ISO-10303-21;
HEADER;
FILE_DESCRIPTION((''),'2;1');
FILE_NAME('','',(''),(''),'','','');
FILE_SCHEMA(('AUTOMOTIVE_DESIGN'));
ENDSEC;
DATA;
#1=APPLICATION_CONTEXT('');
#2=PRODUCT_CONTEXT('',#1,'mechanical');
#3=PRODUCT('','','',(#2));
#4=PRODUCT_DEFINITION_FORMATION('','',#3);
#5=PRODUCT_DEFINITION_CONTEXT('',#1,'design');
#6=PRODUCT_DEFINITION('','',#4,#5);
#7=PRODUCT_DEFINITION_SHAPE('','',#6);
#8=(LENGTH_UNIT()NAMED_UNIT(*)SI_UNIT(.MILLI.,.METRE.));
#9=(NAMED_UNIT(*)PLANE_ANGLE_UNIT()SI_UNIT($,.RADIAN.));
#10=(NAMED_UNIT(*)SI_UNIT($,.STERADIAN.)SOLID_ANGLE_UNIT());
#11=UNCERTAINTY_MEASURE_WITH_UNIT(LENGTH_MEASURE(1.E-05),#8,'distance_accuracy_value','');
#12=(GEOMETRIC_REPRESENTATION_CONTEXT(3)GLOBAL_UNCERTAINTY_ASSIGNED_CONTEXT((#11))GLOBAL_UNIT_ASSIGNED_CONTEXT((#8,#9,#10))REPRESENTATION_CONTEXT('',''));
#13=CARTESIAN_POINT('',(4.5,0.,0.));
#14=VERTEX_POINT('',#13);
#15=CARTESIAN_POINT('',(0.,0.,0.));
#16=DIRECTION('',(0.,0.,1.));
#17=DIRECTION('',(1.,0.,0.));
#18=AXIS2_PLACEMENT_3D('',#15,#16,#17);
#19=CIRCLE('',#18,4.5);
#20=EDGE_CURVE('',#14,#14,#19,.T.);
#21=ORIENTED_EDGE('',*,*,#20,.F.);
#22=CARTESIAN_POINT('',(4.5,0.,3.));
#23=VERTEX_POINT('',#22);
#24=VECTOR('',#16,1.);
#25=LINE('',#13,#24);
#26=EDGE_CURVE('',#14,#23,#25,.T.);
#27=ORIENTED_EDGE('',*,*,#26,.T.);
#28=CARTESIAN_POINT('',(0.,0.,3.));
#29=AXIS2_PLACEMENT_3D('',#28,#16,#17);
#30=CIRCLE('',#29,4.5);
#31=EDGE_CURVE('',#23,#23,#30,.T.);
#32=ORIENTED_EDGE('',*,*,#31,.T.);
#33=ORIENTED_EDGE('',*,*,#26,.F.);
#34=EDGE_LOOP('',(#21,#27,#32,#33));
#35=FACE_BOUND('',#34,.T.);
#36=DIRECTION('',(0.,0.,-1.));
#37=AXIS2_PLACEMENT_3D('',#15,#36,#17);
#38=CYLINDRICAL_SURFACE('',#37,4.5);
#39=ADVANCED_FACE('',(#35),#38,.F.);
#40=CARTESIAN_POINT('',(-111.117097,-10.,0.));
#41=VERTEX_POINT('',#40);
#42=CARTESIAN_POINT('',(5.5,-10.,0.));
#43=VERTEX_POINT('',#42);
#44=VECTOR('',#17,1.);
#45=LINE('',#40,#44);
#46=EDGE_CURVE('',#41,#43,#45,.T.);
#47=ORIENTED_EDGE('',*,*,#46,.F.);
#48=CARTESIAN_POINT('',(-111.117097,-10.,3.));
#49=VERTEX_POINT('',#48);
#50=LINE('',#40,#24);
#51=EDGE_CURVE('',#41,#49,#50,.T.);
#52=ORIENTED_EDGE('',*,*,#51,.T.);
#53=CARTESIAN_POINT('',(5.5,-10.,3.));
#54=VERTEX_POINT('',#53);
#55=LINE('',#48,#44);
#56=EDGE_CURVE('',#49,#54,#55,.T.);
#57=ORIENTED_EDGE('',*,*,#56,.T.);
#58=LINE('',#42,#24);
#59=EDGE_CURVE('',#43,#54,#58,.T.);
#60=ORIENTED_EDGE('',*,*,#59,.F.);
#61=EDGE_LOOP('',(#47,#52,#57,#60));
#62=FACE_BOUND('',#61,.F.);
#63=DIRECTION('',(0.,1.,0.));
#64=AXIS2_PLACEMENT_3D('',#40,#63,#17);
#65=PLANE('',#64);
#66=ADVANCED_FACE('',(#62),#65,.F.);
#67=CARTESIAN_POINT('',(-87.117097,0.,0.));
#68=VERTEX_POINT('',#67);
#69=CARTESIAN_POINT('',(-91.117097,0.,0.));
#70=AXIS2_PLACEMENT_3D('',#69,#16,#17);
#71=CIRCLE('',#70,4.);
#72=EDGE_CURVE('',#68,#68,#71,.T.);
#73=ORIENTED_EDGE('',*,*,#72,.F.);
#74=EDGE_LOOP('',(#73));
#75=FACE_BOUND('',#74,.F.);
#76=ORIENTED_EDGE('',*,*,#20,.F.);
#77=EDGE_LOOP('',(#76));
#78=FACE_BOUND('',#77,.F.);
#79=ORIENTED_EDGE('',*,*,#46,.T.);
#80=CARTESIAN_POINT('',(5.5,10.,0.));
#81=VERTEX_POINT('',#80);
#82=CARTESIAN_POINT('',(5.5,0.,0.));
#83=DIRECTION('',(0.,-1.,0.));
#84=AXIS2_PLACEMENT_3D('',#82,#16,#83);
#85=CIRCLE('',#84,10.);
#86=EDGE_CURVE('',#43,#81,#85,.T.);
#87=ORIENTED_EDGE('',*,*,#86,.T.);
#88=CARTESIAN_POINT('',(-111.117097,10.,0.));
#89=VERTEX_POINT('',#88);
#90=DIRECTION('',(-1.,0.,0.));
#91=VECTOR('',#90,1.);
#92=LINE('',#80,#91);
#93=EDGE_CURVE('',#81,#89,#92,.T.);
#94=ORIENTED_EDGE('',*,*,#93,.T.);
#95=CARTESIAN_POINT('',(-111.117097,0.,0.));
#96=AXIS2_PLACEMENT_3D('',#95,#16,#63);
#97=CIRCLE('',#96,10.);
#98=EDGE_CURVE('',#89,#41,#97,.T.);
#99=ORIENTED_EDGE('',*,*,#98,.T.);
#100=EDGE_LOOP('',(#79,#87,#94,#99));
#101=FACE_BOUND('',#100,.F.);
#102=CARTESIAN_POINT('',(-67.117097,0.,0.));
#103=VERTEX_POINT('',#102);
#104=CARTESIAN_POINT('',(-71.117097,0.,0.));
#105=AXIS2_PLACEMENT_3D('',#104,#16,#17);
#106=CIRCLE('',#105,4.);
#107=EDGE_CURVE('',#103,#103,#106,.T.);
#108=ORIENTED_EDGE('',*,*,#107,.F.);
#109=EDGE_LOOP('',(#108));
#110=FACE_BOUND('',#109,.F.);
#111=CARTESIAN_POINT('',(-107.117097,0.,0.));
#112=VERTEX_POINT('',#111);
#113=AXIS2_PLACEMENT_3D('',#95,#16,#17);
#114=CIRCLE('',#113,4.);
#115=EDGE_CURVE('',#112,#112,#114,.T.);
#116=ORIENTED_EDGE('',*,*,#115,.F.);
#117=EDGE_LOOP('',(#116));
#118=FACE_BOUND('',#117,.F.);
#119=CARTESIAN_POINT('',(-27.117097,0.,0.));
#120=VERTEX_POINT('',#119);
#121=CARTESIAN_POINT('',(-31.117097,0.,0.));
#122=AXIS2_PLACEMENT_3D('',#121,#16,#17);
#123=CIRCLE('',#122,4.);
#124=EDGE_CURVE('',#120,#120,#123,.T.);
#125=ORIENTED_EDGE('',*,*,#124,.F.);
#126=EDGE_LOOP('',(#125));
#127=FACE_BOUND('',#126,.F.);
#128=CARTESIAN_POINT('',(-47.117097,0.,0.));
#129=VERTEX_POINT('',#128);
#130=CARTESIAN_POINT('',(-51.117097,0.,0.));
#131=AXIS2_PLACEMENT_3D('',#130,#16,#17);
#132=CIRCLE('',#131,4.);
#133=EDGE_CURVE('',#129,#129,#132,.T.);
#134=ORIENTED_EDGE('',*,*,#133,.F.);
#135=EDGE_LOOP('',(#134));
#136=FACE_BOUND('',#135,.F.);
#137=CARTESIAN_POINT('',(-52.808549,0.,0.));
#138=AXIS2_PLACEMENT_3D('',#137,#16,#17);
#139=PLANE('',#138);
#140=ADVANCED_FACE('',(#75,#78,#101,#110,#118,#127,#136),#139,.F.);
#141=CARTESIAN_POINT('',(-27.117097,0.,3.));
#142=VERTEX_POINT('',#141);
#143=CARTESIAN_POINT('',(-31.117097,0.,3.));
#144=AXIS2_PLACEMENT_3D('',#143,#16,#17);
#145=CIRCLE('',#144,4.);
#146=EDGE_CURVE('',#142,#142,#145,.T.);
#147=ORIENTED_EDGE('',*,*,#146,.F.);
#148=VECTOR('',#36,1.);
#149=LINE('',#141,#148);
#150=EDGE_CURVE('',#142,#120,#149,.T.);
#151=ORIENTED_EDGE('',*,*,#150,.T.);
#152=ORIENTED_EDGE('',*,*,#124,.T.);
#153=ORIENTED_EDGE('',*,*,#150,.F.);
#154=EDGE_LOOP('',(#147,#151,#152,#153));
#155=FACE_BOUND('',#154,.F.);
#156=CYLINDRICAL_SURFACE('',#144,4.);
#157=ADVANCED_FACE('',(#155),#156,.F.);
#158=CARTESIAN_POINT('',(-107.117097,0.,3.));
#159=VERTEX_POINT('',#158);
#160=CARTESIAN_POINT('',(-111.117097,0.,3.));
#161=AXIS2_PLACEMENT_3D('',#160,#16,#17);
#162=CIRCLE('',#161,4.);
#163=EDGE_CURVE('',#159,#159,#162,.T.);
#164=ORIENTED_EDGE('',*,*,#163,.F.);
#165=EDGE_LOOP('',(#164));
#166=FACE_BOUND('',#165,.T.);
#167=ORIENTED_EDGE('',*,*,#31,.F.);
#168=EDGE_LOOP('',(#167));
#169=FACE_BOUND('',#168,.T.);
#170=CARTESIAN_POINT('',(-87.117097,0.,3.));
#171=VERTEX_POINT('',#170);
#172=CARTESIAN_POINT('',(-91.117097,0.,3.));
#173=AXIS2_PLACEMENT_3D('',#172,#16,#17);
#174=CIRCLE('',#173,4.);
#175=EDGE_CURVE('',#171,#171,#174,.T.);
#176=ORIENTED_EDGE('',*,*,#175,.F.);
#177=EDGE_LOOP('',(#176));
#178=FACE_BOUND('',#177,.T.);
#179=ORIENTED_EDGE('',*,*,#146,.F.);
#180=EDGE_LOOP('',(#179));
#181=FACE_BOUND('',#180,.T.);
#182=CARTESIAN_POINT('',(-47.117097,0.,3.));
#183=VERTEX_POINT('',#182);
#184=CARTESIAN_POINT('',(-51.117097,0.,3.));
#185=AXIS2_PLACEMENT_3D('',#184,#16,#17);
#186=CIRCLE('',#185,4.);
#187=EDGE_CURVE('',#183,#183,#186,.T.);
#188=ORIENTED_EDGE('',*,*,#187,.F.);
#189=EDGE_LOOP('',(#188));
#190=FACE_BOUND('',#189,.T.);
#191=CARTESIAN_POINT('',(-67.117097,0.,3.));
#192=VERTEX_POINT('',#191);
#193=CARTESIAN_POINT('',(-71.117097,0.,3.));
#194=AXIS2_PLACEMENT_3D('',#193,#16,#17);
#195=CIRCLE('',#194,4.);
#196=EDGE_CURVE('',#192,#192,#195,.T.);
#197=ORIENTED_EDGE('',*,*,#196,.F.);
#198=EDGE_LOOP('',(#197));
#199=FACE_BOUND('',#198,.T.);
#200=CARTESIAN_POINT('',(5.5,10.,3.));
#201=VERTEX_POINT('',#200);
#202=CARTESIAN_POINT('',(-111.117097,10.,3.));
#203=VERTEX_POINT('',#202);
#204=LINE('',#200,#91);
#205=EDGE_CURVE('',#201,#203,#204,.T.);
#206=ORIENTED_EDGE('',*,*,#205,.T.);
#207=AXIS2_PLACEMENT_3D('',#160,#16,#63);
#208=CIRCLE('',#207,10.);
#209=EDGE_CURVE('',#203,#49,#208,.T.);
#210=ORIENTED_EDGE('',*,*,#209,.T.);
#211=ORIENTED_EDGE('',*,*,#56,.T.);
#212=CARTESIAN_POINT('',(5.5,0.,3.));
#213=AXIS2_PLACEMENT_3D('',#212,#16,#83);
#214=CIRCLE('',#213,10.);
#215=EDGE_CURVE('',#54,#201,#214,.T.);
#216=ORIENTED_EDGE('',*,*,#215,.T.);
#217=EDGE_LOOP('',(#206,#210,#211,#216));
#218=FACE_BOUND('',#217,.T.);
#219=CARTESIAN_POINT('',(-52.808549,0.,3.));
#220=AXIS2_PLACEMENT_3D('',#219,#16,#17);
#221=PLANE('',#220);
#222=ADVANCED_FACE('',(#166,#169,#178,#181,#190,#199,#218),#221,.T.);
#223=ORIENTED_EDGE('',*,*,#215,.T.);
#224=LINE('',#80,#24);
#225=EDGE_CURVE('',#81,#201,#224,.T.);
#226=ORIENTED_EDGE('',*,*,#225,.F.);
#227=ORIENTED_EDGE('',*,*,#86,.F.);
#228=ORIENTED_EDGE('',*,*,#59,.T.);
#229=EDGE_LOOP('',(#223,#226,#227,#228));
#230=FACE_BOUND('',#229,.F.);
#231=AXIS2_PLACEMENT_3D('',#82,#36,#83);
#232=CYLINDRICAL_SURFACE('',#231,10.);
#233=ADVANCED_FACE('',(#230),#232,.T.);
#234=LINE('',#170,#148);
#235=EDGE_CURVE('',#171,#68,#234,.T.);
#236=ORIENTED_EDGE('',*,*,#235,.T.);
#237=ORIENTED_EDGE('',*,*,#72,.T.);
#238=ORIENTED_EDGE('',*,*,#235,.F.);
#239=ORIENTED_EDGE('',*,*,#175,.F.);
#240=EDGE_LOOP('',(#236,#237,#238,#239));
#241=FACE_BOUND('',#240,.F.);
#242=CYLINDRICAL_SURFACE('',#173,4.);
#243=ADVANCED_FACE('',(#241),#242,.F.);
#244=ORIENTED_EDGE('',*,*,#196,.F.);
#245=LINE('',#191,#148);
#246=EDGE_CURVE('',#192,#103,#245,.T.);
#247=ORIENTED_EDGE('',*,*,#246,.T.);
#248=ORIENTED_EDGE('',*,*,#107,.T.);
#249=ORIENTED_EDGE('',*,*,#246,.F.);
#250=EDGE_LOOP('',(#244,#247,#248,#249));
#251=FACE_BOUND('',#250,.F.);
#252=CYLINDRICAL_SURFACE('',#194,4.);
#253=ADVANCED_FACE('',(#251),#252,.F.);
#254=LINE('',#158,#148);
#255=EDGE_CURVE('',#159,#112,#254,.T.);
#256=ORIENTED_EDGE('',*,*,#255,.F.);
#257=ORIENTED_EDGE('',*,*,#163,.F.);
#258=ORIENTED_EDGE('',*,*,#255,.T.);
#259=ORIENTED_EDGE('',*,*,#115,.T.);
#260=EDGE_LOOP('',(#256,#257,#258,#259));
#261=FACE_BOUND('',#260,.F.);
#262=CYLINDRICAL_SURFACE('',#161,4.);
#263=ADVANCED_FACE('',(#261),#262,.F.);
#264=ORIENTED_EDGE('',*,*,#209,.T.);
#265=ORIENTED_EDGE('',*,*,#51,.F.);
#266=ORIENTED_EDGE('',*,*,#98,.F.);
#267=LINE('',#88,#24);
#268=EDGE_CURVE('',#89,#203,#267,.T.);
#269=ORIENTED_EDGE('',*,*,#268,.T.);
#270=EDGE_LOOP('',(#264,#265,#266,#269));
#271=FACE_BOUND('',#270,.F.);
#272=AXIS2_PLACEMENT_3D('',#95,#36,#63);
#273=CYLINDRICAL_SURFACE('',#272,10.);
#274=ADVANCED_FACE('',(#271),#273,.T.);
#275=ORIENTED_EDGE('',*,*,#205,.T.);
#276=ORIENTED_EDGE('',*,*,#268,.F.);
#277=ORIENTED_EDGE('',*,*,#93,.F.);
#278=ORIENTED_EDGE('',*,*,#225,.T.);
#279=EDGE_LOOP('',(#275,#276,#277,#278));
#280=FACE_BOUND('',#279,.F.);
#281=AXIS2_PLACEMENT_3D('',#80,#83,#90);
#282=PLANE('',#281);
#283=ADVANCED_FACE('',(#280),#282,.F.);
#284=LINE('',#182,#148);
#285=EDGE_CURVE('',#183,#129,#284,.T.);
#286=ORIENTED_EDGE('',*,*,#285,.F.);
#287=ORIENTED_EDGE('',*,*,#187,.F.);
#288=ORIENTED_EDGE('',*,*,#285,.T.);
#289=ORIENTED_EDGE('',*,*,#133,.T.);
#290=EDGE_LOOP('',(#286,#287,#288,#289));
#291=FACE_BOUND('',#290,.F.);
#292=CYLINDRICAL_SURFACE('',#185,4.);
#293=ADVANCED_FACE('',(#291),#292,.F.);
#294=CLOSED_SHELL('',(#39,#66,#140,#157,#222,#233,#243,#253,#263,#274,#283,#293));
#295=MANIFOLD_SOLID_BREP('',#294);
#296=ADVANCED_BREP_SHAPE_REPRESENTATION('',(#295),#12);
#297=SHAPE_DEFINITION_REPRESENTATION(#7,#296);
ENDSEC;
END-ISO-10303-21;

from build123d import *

# Parameters (mm, degrees)
F0_R     = 4.5
F1_DEPTH = 3
F2_R     = 4
F3_DEPTH = 3.001


with BuildPart() as f1:
    # F0 (on Top) → F1 (new body)
    with BuildSketch(Plane.XY):
        with BuildLine():
            ThreePointArc((5.5, -10), (15.5, 0), (5.5, 10))
            Line((5.5, 10), (-111.117097, 10))
            ThreePointArc((-111.117097, 10), (-121.117097, 0), (-111.117097, -10))
            Line((-111.117097, -10), (5.5, -10))
        make_face()
        Circle(F0_R, mode=Mode.SUBTRACT)
    extrude(amount=F1_DEPTH)

    # F2 (on face) → F3 (cut, through all)
    with BuildSketch(Plane.XY.offset(3)):
        with Locations((-111.117097, 0)):
            Circle(F2_R)
        with Locations((-91.117097, 0)):
            Circle(F2_R)
        with Locations((-71.117097, 0)):
            Circle(F2_R)
        with Locations((-51.117097, 0)):
            Circle(F2_R)
        with Locations((-31.117097, 0)):
            Circle(F2_R)
    extrude(amount=-F3_DEPTH, mode=Mode.SUBTRACT)


solid = f1.part
